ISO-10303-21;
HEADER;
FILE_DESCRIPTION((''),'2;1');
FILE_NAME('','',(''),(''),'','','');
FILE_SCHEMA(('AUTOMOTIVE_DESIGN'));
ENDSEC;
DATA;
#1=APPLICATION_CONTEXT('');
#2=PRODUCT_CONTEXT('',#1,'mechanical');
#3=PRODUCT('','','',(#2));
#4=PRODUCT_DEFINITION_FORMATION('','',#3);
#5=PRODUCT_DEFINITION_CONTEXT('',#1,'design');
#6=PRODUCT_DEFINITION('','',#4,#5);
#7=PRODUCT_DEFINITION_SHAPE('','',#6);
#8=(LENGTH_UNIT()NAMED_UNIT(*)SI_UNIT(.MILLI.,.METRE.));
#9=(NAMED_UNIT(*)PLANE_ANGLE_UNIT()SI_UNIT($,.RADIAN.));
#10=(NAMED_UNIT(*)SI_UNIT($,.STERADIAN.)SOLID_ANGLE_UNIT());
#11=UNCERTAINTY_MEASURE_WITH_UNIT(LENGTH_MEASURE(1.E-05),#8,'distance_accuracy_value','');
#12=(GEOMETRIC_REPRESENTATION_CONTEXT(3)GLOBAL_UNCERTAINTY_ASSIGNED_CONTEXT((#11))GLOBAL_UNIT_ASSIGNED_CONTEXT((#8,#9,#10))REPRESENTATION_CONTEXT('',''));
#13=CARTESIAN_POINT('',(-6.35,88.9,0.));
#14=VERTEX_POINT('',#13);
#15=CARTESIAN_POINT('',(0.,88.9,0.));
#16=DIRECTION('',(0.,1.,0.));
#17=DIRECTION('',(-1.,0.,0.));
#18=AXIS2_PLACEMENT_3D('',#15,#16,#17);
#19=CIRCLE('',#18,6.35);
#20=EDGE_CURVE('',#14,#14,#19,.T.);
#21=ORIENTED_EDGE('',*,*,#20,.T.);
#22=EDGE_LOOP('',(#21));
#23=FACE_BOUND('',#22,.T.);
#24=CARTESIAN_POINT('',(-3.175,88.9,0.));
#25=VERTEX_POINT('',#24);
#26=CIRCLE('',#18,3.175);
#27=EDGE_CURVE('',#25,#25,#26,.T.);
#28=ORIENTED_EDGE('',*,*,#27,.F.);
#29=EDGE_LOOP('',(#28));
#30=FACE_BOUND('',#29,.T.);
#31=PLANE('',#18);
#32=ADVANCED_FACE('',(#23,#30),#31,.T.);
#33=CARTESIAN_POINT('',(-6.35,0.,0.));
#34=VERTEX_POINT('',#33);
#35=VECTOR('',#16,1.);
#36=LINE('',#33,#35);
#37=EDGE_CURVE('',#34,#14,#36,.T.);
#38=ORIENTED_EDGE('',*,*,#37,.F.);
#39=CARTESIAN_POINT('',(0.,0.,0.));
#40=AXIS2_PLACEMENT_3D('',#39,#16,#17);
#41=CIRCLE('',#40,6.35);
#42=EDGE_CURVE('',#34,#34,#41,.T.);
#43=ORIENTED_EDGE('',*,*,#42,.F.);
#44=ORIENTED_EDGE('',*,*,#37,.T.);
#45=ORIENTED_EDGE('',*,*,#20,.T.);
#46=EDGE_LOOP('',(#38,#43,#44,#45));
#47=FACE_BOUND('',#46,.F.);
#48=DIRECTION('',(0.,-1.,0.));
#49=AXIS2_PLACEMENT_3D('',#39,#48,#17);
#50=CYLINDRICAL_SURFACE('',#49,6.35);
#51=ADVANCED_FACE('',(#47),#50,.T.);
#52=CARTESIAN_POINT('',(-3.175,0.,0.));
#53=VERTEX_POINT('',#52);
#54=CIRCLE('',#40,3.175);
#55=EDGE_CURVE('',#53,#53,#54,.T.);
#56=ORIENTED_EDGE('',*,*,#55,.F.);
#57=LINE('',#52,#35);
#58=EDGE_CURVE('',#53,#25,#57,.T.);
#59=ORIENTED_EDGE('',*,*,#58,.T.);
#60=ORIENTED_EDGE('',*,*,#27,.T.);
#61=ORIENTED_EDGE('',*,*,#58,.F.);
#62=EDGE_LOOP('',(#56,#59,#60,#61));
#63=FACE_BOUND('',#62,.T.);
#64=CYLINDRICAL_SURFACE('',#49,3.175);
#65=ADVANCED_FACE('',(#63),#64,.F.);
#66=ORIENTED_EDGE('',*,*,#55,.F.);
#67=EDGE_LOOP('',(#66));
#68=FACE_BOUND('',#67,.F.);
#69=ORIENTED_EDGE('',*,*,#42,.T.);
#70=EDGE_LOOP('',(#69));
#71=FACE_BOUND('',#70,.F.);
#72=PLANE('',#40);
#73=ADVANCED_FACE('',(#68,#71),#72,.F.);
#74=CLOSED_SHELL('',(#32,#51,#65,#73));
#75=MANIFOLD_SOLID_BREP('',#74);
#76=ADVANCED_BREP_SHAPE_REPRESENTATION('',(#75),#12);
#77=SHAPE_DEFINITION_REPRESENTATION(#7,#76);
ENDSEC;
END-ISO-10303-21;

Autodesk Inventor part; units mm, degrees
ref_plane "YZ Plane" through (0, 0, 0) normal (1, 0, 0) x (0, 1, 0)
ref_plane "XZ Plane" through (0, 0, 0) normal (0, 1, 0) x (-1, 0, 0)
ref_plane "XY Plane" through (0, 0, 0) normal (0, 0, 1) x (1, 0, 0)
sketch "Sketch1" plane through (0, 0, 0) normal (0, 1, 0) x (-1, 0, 0)
  circle A0 centre (0, 0) radius 3.175
  circle A1 centre (0, 0) radius 6.35
  dimension "d0" = 6.35
  dimension "d1" = 12.7
extrude "Extrusion1" add sketch "Sketch1" along normal blind 88.9
properties part number "Spacer"
